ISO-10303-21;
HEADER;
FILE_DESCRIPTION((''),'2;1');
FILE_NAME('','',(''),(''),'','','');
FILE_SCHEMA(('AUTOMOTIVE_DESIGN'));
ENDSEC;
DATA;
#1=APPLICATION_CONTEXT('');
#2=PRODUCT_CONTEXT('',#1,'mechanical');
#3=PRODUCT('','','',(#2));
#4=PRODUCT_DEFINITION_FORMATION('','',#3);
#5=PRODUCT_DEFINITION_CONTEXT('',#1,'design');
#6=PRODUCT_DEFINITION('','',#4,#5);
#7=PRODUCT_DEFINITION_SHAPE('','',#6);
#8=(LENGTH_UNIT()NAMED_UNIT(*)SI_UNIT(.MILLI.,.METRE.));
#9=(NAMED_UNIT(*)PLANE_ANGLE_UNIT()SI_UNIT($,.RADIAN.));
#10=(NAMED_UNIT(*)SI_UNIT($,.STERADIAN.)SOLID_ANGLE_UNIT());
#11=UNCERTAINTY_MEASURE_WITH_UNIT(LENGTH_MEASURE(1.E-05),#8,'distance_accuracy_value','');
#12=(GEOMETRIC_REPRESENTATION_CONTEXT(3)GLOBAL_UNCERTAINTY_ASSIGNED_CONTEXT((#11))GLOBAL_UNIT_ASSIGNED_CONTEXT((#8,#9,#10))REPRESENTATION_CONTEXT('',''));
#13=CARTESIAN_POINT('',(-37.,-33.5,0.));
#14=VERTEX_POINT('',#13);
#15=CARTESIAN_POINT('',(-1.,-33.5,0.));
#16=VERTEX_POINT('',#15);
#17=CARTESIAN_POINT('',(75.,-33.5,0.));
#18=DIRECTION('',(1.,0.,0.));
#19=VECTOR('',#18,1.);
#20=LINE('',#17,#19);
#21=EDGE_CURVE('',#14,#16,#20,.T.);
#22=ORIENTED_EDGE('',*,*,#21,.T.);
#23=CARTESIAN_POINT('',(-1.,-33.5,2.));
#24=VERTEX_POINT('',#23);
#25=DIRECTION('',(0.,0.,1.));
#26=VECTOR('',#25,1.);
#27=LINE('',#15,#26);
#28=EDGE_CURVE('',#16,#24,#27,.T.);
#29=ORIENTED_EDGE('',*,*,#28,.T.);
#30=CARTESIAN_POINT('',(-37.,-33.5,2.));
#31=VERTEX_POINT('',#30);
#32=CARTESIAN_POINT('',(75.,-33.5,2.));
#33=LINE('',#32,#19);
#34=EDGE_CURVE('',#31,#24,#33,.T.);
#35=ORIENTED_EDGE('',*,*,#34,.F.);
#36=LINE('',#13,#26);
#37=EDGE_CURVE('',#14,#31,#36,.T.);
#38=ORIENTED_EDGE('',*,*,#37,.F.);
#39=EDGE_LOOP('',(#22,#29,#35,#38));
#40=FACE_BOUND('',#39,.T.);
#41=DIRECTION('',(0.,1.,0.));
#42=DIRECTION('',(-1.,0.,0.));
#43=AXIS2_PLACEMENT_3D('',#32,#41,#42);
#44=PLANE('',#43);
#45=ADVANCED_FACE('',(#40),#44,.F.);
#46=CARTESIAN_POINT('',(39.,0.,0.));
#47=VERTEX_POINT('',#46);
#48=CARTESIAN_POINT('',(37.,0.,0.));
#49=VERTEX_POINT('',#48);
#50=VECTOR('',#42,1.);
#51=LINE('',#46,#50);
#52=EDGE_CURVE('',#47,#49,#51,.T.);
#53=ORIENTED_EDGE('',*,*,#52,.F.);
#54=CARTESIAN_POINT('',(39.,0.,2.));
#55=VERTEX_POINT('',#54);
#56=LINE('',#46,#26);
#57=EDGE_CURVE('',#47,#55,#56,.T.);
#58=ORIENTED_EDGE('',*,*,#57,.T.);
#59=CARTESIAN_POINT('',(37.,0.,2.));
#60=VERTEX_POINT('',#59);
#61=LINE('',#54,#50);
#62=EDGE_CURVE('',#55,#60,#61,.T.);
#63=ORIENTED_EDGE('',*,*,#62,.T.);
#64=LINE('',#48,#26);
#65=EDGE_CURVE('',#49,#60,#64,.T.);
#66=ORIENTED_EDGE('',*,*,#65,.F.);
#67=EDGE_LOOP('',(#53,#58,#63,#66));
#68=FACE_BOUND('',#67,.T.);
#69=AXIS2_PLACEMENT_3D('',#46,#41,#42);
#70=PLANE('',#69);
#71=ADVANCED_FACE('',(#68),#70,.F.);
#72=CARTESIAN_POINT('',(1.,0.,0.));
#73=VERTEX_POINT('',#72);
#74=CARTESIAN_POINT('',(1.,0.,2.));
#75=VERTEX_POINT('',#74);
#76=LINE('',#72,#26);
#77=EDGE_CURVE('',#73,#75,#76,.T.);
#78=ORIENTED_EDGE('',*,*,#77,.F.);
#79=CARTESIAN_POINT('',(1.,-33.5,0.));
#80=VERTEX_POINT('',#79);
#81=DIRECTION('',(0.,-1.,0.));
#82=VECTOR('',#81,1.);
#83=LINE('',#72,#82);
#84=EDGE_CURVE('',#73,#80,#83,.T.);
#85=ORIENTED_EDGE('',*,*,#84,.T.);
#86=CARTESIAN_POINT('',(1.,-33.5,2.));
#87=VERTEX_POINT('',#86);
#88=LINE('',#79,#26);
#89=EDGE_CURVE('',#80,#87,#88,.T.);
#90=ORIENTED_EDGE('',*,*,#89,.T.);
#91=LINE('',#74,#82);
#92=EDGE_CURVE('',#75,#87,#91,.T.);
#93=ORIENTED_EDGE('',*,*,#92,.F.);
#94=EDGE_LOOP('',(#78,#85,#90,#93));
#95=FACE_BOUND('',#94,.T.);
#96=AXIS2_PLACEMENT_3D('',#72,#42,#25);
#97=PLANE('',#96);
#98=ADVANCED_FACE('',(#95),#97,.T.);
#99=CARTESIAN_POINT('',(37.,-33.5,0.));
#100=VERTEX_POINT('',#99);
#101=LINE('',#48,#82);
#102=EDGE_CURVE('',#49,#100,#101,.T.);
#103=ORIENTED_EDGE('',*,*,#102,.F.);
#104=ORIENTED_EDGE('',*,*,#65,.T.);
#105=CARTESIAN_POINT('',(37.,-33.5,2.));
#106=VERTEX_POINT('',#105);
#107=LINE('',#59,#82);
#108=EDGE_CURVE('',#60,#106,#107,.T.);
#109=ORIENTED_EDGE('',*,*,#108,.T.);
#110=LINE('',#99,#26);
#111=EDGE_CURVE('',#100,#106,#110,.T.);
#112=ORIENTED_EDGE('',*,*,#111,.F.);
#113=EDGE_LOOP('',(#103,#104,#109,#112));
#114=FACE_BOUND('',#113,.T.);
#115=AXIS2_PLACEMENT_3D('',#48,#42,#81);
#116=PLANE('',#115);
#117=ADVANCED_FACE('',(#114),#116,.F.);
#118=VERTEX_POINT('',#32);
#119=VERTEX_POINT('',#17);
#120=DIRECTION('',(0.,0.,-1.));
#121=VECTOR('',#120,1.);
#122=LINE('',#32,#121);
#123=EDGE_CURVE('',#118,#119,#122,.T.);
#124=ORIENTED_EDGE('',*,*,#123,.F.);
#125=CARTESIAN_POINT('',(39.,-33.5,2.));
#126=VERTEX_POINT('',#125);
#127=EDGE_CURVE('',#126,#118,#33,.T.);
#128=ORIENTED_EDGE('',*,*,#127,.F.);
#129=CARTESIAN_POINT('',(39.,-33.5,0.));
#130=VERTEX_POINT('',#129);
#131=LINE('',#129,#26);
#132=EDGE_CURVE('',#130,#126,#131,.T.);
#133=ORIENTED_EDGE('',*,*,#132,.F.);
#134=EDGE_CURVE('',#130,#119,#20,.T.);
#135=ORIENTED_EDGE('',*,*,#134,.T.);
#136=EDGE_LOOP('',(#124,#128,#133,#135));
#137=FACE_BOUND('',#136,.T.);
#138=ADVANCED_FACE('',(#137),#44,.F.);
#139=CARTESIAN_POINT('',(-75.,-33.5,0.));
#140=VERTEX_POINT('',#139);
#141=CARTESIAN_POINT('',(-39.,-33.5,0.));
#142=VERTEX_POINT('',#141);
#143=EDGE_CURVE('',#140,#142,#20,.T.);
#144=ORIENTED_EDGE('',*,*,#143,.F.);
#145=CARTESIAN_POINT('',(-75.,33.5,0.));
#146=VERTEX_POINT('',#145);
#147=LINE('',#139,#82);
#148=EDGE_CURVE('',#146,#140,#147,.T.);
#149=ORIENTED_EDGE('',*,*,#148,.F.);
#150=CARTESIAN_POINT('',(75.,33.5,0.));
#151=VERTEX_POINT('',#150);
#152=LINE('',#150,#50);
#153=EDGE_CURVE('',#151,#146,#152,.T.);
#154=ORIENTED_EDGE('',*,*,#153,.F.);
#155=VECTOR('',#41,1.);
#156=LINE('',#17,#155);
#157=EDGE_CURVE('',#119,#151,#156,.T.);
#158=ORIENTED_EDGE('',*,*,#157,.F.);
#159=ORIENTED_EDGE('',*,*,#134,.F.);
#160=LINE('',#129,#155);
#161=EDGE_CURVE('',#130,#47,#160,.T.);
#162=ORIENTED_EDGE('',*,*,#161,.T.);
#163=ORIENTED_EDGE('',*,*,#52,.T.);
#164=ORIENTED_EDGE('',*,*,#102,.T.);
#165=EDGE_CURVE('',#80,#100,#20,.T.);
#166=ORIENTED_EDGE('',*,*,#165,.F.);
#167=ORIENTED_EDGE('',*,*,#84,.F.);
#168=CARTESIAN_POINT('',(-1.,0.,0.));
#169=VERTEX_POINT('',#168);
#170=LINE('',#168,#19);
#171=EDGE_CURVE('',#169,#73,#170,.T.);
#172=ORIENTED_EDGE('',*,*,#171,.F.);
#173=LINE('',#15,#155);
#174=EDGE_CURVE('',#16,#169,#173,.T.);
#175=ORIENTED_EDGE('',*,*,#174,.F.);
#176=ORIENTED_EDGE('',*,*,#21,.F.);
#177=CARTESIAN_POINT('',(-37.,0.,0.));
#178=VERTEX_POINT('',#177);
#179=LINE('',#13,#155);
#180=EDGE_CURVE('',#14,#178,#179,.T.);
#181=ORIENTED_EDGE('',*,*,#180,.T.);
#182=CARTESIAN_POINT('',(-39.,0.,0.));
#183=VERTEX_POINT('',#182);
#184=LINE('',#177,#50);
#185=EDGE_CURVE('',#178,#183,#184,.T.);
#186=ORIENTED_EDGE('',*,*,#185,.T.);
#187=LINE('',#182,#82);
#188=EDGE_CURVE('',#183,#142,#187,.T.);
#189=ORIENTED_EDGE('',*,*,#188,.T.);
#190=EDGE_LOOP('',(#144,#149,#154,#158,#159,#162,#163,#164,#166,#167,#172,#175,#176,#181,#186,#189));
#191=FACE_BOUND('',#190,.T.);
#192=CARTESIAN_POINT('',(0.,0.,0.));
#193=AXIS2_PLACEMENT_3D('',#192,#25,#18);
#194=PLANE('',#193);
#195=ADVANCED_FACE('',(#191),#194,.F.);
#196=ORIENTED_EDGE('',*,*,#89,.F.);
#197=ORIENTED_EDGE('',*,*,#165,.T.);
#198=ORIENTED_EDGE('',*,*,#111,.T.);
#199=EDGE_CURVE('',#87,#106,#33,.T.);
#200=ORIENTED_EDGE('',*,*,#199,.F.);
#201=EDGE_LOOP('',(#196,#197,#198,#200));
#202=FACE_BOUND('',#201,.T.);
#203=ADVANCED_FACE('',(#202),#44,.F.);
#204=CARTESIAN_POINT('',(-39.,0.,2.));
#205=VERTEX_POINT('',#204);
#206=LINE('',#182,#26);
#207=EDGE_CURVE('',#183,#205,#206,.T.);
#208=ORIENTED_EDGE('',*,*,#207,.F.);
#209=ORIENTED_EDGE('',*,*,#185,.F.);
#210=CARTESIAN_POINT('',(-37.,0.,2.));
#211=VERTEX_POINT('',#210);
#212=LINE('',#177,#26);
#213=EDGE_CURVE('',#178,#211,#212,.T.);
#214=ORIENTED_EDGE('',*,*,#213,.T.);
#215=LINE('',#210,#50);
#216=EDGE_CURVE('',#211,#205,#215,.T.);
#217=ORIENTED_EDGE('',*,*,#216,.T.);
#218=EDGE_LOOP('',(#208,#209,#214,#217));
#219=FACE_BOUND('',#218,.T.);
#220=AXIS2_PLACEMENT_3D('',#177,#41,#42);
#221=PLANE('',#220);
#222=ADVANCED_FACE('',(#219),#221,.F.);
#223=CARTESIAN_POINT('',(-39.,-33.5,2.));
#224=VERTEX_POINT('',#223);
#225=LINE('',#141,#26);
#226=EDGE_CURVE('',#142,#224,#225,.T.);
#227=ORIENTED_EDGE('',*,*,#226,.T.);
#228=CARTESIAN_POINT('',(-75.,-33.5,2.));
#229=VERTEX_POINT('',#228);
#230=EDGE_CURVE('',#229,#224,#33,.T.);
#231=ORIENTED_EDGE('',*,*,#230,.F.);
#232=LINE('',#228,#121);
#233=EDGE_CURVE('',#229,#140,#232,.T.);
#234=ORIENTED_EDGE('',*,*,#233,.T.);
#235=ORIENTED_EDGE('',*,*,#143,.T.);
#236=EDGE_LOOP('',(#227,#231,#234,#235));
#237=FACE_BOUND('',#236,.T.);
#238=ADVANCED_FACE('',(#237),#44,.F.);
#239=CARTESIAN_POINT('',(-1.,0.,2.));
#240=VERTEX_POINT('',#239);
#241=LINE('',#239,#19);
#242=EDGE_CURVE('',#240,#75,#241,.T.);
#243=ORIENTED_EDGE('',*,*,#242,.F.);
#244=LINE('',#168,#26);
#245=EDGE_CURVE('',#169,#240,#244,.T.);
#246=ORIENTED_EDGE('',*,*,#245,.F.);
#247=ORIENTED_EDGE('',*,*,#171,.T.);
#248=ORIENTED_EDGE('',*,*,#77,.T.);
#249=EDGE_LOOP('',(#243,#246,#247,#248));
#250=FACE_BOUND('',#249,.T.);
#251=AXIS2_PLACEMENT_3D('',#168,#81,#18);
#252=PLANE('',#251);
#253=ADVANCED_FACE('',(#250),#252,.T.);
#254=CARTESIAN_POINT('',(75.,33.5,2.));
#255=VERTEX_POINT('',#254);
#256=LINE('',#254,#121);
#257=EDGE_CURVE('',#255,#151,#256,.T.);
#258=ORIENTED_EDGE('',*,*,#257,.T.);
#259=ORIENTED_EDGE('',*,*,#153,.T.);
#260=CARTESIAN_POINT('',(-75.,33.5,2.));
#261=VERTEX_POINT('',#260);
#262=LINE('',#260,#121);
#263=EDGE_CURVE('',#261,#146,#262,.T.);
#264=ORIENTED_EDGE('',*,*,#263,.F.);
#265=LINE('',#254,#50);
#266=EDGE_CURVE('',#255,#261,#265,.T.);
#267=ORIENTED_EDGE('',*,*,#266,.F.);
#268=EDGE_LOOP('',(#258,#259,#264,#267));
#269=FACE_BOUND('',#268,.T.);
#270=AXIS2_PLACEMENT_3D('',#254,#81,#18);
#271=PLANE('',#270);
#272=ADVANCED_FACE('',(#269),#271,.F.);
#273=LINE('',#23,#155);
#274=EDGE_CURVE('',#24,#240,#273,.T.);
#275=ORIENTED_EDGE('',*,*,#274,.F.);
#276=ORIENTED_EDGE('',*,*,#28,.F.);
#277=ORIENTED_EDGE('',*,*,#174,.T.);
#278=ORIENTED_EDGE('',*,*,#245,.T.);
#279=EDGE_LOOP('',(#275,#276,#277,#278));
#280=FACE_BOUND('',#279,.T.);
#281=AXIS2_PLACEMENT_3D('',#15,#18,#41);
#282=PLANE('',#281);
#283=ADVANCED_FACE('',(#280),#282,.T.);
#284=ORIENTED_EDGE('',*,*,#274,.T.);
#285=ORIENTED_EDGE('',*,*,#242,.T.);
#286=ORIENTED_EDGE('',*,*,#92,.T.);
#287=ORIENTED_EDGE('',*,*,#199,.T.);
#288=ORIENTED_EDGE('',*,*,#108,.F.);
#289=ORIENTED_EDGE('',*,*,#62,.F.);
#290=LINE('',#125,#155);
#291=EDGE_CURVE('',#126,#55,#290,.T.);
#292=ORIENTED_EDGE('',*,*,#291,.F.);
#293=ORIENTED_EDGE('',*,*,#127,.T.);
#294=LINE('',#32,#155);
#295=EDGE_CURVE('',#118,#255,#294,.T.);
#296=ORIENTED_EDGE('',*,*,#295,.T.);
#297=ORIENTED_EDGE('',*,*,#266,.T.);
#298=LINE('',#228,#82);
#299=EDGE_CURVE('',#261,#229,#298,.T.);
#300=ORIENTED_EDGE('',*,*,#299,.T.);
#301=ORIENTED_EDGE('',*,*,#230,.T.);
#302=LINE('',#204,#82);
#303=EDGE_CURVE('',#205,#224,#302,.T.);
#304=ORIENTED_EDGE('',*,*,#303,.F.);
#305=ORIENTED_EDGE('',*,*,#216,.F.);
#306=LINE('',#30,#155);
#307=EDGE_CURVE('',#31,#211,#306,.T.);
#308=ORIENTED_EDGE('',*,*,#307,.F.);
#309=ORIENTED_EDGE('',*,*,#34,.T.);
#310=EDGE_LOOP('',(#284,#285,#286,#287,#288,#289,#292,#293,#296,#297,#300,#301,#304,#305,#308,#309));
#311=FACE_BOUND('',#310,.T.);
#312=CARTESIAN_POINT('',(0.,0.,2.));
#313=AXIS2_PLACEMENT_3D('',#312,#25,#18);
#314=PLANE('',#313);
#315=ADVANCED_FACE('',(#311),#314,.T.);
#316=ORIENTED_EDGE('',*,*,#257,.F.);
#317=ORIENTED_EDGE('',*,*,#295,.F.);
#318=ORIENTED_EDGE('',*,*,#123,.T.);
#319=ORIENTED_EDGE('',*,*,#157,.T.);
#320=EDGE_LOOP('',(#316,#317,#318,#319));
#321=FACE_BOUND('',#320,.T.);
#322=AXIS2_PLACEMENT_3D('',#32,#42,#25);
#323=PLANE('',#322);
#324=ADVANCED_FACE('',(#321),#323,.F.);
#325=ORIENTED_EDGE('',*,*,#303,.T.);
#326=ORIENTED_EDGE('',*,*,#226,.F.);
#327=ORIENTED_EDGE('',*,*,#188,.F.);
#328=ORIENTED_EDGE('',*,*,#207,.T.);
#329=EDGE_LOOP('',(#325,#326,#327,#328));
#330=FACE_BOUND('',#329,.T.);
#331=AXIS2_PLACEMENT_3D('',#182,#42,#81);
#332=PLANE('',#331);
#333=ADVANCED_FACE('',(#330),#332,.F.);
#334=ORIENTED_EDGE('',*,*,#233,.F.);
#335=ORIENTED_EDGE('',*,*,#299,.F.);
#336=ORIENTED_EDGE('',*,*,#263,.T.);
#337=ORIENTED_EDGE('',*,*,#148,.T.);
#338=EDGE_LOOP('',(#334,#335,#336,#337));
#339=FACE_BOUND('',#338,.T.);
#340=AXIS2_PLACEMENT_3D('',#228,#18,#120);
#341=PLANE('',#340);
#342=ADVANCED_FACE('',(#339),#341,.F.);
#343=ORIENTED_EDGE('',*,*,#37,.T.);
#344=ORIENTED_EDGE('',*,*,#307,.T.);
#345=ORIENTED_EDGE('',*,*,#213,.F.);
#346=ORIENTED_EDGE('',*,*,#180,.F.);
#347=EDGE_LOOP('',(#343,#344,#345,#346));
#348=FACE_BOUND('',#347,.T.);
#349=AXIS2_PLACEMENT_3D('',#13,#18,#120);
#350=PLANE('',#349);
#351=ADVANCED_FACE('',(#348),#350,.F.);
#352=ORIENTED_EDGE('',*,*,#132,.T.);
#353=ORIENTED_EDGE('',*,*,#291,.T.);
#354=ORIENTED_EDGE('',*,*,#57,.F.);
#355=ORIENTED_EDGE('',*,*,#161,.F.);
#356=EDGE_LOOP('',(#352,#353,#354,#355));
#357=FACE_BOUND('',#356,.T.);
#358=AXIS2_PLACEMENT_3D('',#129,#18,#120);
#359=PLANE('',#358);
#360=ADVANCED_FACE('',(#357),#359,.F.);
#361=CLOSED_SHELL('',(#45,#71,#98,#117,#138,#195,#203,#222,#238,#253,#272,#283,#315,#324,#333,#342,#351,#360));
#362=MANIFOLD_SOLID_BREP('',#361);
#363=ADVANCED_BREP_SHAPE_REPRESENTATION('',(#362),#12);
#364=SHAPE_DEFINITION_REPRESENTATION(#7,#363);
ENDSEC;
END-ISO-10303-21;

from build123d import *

# Parameters (mm, degrees)
SKETCH1_W           = 150
SKETCH1_H           = 67
BOSS_EXTRUDE1_DEPTH = 2
SKETCH2_W           = 2
SKETCH2_H           = 33.5
CUT_EXTRUDE1_DEPTH  = 83.165990531


with BuildPart() as part:
    # Sketch1 → Boss-Extrude1 (new body)
    with BuildSketch(Plane.XY):
        Rectangle(SKETCH1_W, SKETCH1_H)
    extrude(amount=BOSS_EXTRUDE1_DEPTH)

    # Sketch2 → Cut-Extrude1 (cut, through all)
    with BuildSketch(Plane.XY.offset(2)):
        with Locations((-38, -16.75)):
            Rectangle(SKETCH2_W, SKETCH2_H)
        with Locations((0, -16.75)):
            Rectangle(SKETCH2_W, SKETCH2_H)
        with Locations((38, -16.75)):
            Rectangle(SKETCH2_W, SKETCH2_H)
    extrude(amount=-CUT_EXTRUDE1_DEPTH, mode=Mode.SUBTRACT)


solid = part.part
